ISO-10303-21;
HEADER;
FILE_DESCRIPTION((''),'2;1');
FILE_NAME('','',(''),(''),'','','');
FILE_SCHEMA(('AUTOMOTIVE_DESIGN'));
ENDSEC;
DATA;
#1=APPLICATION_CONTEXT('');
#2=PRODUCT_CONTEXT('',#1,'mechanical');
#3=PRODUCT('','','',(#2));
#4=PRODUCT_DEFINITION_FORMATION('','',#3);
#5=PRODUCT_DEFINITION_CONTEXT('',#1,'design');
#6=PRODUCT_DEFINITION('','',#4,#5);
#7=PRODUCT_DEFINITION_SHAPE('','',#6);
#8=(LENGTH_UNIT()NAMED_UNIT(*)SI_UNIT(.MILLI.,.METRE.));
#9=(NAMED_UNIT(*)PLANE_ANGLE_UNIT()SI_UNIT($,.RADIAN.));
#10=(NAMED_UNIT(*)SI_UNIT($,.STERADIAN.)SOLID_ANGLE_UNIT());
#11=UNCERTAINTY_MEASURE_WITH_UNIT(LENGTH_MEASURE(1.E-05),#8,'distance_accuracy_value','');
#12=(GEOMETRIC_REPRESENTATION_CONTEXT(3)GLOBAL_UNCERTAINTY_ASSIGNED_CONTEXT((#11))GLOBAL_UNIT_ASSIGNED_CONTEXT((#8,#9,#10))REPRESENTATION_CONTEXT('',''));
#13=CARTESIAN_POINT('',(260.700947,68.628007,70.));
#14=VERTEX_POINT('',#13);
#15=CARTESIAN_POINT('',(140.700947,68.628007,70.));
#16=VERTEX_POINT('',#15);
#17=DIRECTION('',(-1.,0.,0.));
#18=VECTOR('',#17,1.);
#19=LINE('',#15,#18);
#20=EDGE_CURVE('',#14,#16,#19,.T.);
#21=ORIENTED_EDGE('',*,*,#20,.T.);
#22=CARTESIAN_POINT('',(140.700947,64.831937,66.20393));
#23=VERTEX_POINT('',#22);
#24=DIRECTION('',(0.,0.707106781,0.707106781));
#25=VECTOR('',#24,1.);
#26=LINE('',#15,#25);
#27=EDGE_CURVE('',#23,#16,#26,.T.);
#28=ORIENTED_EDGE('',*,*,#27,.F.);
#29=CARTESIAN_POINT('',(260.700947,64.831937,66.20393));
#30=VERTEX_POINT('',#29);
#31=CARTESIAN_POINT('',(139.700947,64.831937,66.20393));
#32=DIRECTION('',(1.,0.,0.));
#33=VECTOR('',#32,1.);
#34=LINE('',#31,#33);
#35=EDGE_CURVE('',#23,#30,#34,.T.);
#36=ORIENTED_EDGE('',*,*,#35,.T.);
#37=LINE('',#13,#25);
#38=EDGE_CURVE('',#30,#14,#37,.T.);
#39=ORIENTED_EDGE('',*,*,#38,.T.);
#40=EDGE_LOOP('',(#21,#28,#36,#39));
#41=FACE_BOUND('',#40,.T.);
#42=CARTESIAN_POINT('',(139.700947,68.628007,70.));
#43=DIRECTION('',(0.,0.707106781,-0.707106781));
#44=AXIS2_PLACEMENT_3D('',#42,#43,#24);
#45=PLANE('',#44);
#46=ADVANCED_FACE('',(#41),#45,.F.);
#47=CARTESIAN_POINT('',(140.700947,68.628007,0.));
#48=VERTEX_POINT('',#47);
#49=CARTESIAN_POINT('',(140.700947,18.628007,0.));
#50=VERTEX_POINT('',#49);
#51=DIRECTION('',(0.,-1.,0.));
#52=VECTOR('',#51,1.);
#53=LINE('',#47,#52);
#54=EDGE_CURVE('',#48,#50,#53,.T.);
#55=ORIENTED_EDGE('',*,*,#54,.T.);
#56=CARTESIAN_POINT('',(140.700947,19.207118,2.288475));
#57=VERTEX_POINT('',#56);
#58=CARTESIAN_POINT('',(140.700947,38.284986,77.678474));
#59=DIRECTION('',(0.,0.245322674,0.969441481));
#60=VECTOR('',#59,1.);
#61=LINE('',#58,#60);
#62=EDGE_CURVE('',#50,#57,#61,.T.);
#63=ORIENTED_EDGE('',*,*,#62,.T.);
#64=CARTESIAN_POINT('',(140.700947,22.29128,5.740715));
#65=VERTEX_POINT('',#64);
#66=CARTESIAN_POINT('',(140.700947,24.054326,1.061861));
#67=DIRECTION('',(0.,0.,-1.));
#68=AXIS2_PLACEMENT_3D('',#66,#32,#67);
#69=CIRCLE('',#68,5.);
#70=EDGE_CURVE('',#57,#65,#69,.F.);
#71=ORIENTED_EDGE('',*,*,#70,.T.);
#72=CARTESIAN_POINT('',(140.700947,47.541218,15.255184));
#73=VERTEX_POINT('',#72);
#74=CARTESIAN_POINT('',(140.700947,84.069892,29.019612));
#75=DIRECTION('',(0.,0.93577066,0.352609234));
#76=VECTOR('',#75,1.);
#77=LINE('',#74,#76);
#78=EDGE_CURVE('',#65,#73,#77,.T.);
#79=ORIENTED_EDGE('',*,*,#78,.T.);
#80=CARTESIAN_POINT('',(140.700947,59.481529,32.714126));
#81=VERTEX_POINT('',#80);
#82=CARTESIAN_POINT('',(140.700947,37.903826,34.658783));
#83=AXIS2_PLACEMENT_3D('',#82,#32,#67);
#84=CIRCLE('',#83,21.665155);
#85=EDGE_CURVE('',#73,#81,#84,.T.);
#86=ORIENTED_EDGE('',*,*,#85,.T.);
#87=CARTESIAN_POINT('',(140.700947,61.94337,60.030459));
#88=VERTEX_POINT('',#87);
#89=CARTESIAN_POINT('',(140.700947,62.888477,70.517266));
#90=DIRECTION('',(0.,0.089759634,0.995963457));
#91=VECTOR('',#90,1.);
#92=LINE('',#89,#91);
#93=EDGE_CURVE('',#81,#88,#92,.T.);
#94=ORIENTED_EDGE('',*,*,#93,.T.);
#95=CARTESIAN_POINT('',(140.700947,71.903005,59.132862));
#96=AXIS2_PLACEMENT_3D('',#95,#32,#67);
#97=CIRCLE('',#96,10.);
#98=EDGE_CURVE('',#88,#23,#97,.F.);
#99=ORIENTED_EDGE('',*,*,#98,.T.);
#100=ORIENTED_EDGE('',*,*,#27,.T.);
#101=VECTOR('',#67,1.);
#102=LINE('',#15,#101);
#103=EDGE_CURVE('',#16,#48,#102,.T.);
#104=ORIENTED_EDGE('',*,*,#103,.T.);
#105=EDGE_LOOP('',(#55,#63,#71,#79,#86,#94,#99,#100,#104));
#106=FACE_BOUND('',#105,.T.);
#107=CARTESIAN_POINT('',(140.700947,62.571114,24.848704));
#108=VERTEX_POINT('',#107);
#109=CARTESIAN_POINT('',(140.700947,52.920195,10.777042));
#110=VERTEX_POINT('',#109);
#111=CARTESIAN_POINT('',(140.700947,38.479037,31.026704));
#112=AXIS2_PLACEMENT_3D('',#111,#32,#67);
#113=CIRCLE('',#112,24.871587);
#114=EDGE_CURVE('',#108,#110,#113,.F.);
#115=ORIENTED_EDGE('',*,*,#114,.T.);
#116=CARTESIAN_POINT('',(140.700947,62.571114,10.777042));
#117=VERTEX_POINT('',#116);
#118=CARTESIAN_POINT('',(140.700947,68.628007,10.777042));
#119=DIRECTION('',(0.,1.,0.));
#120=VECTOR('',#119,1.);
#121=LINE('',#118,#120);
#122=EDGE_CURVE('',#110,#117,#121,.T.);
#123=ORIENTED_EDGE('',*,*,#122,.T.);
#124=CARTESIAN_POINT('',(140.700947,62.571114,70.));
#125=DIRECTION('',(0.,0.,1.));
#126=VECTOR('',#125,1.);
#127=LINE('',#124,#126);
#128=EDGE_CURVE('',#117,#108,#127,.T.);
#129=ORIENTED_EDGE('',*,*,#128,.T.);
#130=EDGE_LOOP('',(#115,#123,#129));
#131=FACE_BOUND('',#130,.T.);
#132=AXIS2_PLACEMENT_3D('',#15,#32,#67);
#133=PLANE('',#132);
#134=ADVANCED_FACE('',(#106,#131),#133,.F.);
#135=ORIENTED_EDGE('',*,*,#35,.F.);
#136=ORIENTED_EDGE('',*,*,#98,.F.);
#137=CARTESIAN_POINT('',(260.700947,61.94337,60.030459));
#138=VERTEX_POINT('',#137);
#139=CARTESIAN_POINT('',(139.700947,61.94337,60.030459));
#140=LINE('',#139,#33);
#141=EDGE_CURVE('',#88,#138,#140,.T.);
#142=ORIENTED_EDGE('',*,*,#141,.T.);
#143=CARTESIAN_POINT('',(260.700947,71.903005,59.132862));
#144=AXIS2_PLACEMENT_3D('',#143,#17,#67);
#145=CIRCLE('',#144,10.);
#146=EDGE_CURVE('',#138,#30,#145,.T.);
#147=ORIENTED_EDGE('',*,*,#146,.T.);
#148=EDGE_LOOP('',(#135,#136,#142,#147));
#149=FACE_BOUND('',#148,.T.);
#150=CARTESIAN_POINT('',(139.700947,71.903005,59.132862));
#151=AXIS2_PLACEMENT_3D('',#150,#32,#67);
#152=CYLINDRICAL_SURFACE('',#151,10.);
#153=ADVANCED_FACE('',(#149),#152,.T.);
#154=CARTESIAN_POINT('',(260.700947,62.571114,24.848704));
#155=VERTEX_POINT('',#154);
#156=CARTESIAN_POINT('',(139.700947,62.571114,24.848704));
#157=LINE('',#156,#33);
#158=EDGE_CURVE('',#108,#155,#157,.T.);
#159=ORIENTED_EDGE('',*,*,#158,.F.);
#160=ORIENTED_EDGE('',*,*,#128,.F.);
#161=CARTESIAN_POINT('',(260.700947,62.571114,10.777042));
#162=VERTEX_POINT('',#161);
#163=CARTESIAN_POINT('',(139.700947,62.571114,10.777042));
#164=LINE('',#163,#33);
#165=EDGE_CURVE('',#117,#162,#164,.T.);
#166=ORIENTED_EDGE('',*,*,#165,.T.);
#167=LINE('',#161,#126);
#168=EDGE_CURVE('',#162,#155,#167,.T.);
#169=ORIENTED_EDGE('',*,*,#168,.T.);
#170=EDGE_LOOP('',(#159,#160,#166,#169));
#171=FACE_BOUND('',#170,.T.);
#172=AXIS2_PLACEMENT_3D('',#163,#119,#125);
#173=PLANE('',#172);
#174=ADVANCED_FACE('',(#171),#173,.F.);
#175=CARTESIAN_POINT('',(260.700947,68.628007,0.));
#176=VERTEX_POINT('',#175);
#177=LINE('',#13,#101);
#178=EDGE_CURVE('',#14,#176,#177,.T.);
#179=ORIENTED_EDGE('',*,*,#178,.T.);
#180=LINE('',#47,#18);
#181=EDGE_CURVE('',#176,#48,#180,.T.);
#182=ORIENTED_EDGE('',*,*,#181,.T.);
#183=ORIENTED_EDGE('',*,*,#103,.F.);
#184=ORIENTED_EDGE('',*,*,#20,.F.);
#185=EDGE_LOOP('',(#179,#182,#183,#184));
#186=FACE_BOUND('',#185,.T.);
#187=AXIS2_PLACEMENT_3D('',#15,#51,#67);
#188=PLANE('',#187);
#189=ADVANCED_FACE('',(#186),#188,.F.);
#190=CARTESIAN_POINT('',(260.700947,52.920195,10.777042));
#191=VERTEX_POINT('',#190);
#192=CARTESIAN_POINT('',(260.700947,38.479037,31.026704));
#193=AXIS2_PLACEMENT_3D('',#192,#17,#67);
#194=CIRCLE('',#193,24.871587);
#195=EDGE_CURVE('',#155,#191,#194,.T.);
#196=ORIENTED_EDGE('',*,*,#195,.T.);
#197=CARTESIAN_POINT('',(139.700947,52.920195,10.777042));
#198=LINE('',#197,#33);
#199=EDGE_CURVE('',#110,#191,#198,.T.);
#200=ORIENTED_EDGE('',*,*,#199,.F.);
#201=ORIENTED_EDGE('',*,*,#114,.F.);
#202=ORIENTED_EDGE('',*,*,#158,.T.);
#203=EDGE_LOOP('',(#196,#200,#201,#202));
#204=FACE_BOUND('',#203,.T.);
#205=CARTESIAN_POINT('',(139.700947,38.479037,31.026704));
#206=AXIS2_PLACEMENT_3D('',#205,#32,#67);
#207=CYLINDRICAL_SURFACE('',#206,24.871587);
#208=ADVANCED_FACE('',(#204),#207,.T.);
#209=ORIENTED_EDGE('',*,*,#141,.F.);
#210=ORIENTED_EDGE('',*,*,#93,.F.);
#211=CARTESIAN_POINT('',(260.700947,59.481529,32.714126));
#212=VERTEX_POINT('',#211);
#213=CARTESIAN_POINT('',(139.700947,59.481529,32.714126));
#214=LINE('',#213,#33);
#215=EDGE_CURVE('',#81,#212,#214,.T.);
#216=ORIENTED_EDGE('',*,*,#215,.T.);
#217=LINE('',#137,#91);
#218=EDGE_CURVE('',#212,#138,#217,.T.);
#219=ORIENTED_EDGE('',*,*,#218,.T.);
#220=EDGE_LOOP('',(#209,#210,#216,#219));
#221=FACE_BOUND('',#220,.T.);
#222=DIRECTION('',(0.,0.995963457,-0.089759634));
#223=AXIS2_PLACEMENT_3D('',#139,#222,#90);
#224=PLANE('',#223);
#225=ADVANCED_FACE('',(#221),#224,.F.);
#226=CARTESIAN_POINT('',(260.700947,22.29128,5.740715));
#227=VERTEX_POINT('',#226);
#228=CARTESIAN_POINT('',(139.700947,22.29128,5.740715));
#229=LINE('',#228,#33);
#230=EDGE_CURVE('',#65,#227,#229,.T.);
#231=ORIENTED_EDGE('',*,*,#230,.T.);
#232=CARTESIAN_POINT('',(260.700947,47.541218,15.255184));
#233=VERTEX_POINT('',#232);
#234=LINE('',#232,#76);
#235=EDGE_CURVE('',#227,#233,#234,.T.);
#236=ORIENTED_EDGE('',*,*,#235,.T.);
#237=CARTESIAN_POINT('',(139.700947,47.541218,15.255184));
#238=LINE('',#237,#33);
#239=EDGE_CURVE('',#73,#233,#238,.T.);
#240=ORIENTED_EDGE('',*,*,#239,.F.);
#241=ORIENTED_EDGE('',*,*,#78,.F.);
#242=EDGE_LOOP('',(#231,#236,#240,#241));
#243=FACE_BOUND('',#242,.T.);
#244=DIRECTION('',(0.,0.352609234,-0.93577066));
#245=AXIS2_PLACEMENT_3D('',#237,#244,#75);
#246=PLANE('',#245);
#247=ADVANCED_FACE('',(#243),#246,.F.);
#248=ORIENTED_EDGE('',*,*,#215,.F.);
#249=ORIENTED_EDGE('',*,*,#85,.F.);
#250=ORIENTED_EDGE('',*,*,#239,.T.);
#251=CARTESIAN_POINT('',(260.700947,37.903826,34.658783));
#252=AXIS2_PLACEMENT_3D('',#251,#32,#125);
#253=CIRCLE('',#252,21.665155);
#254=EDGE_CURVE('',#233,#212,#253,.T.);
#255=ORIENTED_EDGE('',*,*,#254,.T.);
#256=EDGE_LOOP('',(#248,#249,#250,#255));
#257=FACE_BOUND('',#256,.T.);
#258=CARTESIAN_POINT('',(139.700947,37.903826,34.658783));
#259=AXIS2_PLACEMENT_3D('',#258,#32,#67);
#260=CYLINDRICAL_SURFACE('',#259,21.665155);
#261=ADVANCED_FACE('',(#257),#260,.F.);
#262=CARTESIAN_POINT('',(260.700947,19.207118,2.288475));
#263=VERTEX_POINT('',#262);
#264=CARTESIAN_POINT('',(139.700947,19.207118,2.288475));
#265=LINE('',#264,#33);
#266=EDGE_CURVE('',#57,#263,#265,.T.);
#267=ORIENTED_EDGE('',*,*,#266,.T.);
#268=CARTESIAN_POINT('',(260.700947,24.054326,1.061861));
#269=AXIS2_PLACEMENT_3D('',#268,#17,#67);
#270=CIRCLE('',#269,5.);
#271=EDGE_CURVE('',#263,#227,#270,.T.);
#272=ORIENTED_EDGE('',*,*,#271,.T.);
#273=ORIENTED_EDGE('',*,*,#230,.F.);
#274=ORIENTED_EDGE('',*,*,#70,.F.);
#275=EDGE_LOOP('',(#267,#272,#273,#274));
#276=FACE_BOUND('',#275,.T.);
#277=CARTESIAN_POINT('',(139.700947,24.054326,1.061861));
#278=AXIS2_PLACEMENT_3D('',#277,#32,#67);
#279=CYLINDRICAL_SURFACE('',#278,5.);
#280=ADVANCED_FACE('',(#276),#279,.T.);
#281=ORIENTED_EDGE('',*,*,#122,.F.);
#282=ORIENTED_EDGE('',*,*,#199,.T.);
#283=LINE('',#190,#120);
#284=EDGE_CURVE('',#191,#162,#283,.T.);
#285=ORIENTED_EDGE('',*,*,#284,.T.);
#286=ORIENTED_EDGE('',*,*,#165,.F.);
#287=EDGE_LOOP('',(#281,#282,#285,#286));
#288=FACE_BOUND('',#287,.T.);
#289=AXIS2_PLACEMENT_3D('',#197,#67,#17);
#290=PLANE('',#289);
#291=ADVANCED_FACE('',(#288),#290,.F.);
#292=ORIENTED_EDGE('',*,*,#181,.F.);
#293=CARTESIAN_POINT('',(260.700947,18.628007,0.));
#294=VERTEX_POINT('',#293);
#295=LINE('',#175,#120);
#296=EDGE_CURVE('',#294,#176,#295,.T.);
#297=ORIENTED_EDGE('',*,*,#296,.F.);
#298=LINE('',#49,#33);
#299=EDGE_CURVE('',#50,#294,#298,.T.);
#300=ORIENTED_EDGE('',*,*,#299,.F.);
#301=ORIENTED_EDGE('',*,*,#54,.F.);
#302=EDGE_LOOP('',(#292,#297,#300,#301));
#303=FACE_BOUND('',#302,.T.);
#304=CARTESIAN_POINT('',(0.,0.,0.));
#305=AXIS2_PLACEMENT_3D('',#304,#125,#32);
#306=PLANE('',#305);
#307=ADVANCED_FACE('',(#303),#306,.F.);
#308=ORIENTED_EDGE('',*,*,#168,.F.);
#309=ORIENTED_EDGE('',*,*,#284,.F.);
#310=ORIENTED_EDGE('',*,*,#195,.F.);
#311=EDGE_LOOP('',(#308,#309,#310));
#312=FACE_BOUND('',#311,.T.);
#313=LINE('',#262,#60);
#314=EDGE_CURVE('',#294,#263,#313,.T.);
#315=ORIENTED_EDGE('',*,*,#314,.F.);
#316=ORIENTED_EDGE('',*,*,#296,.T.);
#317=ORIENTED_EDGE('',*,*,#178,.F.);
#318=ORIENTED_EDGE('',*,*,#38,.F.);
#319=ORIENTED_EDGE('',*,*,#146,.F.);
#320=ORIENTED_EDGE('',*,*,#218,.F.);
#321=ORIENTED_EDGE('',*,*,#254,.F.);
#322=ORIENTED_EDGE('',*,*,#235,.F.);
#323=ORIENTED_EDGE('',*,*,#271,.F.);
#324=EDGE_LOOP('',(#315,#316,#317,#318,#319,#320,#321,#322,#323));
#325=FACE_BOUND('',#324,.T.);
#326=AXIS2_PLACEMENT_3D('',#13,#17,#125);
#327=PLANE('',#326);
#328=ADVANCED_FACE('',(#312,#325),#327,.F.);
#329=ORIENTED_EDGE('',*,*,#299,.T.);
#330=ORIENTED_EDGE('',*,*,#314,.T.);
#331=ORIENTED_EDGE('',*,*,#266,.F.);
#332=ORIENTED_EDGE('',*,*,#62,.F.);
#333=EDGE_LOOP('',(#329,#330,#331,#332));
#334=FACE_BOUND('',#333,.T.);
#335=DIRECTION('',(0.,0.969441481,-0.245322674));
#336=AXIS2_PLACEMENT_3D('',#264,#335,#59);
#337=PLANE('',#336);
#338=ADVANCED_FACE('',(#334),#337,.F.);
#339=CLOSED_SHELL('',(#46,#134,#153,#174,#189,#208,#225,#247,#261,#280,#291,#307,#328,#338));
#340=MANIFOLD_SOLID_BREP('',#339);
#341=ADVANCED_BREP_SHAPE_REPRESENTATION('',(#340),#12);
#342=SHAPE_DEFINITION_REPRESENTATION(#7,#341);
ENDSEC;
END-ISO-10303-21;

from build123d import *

# Parameters (mm, degrees)
CROQUIS1_W              = 120
CROQUIS1_H              = 50
SALIENTE_EXTRUIR1_DEPTH = 70
CORTAR_EXTRUIR1_DEPTH   = 121


with BuildPart() as part:
    # Croquis1 → Saliente-Extruir1 (new body)
    with BuildSketch(Plane.XY):
        with Locations((200.700947131, 43.628006873)):
            Rectangle(CROQUIS1_W, CROQUIS1_H)
    extrude(amount=SALIENTE_EXTRUIR1_DEPTH)

    # Croquis2 → Cortar-Extruir1 (cut)
    with BuildSketch(Plane(origin=(260.700947131, 0, 0), x_dir=(0, 0, -1), z_dir=(1, 0, 0))):
        with BuildLine():
            Line((-70, 68.628006873), (-66.203930164, 64.831937037))
            ThreePointArc((-66.203930164, 64.831937037), (-63.370887429, 62.845458633), (-60.030458687, 61.943370276))
            Line((-60.030458687, 61.943370276), (-32.714126266, 59.481528961))
            ThreePointArc((-32.714126266, 59.481528961), (-22.428502516, 55.786756469), (-15.255184219, 47.541218021))
            Line((-15.255184219, 47.541218021), (-5.740714687, 22.291279647))
            ThreePointArc((-5.740714687, 22.291279647), (-4.393024365, 20.325605767), (-2.288474759, 19.207118412))
            Line((-2.288474759, 19.207118412), (0, 18.628006873))
            Line((0, 18.628006873), (-70, 18.628006873))
            Line((-70, 18.628006873), (-70, 68.628006873))
        make_face()
        with BuildLine():
            Line((-10.777042467, 52.920195468), (-10.777042467, 62.571113796))
            Line((-10.777042467, 62.571113796), (-24.848704029, 62.571113796))
            ThreePointArc((-24.848704029, 62.571113796), (-16.959352467, 58.990142997), (-10.777042467, 52.920195468))
        make_face()
    extrude(amount=-CORTAR_EXTRUIR1_DEPTH, mode=Mode.SUBTRACT)


solid = part.part
